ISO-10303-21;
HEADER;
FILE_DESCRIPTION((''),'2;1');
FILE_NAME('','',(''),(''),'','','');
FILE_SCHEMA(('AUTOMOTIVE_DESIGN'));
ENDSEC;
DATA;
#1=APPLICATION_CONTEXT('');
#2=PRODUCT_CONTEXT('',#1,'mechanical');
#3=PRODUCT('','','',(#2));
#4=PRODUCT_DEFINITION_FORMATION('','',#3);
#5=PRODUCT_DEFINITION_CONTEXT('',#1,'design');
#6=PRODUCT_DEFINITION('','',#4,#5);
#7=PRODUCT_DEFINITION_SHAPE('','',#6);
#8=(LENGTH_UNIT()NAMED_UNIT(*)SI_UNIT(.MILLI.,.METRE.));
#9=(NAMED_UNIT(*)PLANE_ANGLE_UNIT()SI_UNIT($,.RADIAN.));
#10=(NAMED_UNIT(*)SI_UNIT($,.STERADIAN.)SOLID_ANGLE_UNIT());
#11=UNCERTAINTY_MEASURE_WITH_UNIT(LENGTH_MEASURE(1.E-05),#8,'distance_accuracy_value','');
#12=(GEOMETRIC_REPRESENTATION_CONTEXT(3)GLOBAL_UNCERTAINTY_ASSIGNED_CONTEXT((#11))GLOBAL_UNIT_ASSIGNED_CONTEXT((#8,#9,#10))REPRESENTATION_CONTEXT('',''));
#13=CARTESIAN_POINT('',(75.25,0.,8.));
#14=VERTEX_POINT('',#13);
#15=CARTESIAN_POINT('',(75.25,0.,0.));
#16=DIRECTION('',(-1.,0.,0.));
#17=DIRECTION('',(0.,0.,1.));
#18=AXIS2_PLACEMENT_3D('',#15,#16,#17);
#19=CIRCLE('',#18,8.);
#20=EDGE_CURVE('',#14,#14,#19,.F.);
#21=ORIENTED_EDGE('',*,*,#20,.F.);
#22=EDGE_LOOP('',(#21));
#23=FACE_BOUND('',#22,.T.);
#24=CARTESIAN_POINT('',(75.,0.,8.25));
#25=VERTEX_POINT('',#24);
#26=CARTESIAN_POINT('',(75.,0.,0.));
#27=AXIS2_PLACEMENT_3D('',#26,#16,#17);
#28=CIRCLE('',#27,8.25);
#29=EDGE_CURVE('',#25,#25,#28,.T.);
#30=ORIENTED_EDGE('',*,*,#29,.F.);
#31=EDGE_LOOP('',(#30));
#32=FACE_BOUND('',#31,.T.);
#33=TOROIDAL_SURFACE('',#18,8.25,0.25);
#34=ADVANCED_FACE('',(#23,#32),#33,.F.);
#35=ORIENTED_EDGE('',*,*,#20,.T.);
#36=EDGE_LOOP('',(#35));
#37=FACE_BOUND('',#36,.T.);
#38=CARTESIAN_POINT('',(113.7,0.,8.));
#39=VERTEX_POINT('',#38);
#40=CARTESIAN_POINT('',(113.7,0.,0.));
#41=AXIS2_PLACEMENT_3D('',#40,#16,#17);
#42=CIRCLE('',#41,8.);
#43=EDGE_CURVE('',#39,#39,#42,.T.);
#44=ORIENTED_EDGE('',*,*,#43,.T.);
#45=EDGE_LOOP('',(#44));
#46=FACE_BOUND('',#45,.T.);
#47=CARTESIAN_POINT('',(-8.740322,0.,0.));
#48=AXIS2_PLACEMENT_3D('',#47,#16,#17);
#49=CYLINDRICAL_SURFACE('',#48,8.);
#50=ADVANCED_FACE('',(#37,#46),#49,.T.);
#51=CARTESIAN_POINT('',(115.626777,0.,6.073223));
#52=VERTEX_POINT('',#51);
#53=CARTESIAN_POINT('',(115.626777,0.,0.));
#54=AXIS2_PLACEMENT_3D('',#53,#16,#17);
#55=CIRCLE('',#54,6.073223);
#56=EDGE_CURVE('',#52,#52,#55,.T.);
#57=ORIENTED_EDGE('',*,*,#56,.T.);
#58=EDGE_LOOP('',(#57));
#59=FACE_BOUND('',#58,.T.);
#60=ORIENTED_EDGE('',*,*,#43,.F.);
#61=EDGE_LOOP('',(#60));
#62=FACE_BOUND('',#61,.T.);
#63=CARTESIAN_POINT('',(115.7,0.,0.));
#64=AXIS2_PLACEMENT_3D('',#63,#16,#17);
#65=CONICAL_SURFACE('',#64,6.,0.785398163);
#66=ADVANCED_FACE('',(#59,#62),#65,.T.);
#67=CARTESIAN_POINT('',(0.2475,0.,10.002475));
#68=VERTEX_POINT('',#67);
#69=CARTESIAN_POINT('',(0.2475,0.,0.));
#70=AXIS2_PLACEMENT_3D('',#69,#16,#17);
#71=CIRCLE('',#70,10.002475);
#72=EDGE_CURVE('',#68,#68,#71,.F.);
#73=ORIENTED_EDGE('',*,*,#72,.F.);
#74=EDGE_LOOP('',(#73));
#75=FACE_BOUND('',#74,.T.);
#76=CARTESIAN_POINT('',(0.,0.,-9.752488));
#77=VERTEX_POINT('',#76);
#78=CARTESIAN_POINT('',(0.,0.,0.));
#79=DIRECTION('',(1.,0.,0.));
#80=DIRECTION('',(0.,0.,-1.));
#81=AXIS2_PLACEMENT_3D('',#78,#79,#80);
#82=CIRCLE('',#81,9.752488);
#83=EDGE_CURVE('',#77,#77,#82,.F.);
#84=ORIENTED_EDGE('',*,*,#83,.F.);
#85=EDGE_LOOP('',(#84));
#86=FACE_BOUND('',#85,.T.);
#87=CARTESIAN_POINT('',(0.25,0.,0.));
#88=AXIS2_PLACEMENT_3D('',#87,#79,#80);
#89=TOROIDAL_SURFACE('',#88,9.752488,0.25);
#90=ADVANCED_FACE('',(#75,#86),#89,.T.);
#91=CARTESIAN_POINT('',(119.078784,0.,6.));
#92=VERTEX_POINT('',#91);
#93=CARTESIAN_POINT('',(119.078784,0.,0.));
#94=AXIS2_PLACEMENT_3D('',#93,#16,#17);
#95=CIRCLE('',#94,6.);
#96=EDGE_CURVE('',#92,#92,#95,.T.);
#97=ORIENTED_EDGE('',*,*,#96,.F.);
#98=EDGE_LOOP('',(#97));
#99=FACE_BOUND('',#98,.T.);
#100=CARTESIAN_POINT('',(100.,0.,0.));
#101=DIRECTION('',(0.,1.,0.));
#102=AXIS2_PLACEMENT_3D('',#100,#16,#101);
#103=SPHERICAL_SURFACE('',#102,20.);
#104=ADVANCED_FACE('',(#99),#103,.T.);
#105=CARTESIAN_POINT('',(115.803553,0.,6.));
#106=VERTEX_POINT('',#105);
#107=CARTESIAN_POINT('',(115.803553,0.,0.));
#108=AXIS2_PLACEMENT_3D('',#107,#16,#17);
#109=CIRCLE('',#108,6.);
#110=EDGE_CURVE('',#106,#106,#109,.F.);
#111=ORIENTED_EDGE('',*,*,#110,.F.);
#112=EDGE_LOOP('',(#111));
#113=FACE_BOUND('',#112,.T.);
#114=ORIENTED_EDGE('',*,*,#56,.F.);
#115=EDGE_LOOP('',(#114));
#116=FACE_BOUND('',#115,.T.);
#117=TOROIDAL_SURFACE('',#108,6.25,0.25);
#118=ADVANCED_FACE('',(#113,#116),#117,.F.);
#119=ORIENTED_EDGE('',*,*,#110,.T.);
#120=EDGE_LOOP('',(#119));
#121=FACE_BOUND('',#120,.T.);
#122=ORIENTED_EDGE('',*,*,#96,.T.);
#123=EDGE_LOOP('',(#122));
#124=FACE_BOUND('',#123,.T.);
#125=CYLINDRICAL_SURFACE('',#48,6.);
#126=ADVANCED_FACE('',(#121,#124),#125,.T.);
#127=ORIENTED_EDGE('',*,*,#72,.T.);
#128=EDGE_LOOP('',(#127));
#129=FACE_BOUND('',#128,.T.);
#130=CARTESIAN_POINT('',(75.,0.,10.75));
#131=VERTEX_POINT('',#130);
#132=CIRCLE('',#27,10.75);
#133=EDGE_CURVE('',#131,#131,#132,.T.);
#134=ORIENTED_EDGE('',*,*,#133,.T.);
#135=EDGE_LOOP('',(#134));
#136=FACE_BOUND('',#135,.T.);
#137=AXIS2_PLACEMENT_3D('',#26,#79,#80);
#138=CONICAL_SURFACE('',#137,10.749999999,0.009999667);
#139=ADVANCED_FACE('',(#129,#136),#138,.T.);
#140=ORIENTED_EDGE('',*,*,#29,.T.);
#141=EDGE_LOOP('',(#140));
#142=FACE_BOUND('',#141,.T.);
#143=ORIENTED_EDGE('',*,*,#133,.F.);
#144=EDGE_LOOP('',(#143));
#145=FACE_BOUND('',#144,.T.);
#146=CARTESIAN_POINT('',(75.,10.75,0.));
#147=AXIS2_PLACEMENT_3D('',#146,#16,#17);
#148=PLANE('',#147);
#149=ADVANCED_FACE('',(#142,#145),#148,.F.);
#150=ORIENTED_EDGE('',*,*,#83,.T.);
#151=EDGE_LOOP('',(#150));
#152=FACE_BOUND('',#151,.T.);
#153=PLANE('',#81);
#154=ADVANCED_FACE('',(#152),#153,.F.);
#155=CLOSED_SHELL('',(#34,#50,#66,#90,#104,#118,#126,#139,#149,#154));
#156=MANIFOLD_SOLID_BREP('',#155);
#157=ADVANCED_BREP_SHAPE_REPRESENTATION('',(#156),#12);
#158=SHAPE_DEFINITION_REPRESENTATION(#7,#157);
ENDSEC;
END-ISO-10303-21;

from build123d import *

# Parameters (mm, degrees)
FILLETS_R = 0.25


with BuildPart() as part:
    # BodySke → Body (revolve)
    with BuildSketch(Plane.XY, mode=Mode.PRIVATE) as body_sk:
        with BuildLine():
            Line((0, 0), (0, 10))
            Line((0, 10), (75, 10.749999999))
            Line((75, 10.749999999), (75, 8))
            Line((75, 8), (113.7, 8))
            Line((113.7, 8), (115.7, 6))
            Line((115.7, 6), (119.078784028, 6))
            ThreePointArc((119.078784028, 6), (119.768354516, 3.035153986), (120, 0))
            Line((120, 0), (0, 0))
        make_face()
    revolve(body_sk.sketch.rotate(Axis((-8.740321592, 0, 0), (1, 0, 0)), 90), axis=Axis((-8.740321592, 0, 0), (1, 0, 0)))

    # Fillets
    fillets_edges = [part.edges().sort_by_distance(p)[0] for p in [
        (0, 0, -10),
        (75, 0, -8),
        (115.7, 0, -6),
    ]]
    fillet(fillets_edges, radius=FILLETS_R)


solid = part.part
